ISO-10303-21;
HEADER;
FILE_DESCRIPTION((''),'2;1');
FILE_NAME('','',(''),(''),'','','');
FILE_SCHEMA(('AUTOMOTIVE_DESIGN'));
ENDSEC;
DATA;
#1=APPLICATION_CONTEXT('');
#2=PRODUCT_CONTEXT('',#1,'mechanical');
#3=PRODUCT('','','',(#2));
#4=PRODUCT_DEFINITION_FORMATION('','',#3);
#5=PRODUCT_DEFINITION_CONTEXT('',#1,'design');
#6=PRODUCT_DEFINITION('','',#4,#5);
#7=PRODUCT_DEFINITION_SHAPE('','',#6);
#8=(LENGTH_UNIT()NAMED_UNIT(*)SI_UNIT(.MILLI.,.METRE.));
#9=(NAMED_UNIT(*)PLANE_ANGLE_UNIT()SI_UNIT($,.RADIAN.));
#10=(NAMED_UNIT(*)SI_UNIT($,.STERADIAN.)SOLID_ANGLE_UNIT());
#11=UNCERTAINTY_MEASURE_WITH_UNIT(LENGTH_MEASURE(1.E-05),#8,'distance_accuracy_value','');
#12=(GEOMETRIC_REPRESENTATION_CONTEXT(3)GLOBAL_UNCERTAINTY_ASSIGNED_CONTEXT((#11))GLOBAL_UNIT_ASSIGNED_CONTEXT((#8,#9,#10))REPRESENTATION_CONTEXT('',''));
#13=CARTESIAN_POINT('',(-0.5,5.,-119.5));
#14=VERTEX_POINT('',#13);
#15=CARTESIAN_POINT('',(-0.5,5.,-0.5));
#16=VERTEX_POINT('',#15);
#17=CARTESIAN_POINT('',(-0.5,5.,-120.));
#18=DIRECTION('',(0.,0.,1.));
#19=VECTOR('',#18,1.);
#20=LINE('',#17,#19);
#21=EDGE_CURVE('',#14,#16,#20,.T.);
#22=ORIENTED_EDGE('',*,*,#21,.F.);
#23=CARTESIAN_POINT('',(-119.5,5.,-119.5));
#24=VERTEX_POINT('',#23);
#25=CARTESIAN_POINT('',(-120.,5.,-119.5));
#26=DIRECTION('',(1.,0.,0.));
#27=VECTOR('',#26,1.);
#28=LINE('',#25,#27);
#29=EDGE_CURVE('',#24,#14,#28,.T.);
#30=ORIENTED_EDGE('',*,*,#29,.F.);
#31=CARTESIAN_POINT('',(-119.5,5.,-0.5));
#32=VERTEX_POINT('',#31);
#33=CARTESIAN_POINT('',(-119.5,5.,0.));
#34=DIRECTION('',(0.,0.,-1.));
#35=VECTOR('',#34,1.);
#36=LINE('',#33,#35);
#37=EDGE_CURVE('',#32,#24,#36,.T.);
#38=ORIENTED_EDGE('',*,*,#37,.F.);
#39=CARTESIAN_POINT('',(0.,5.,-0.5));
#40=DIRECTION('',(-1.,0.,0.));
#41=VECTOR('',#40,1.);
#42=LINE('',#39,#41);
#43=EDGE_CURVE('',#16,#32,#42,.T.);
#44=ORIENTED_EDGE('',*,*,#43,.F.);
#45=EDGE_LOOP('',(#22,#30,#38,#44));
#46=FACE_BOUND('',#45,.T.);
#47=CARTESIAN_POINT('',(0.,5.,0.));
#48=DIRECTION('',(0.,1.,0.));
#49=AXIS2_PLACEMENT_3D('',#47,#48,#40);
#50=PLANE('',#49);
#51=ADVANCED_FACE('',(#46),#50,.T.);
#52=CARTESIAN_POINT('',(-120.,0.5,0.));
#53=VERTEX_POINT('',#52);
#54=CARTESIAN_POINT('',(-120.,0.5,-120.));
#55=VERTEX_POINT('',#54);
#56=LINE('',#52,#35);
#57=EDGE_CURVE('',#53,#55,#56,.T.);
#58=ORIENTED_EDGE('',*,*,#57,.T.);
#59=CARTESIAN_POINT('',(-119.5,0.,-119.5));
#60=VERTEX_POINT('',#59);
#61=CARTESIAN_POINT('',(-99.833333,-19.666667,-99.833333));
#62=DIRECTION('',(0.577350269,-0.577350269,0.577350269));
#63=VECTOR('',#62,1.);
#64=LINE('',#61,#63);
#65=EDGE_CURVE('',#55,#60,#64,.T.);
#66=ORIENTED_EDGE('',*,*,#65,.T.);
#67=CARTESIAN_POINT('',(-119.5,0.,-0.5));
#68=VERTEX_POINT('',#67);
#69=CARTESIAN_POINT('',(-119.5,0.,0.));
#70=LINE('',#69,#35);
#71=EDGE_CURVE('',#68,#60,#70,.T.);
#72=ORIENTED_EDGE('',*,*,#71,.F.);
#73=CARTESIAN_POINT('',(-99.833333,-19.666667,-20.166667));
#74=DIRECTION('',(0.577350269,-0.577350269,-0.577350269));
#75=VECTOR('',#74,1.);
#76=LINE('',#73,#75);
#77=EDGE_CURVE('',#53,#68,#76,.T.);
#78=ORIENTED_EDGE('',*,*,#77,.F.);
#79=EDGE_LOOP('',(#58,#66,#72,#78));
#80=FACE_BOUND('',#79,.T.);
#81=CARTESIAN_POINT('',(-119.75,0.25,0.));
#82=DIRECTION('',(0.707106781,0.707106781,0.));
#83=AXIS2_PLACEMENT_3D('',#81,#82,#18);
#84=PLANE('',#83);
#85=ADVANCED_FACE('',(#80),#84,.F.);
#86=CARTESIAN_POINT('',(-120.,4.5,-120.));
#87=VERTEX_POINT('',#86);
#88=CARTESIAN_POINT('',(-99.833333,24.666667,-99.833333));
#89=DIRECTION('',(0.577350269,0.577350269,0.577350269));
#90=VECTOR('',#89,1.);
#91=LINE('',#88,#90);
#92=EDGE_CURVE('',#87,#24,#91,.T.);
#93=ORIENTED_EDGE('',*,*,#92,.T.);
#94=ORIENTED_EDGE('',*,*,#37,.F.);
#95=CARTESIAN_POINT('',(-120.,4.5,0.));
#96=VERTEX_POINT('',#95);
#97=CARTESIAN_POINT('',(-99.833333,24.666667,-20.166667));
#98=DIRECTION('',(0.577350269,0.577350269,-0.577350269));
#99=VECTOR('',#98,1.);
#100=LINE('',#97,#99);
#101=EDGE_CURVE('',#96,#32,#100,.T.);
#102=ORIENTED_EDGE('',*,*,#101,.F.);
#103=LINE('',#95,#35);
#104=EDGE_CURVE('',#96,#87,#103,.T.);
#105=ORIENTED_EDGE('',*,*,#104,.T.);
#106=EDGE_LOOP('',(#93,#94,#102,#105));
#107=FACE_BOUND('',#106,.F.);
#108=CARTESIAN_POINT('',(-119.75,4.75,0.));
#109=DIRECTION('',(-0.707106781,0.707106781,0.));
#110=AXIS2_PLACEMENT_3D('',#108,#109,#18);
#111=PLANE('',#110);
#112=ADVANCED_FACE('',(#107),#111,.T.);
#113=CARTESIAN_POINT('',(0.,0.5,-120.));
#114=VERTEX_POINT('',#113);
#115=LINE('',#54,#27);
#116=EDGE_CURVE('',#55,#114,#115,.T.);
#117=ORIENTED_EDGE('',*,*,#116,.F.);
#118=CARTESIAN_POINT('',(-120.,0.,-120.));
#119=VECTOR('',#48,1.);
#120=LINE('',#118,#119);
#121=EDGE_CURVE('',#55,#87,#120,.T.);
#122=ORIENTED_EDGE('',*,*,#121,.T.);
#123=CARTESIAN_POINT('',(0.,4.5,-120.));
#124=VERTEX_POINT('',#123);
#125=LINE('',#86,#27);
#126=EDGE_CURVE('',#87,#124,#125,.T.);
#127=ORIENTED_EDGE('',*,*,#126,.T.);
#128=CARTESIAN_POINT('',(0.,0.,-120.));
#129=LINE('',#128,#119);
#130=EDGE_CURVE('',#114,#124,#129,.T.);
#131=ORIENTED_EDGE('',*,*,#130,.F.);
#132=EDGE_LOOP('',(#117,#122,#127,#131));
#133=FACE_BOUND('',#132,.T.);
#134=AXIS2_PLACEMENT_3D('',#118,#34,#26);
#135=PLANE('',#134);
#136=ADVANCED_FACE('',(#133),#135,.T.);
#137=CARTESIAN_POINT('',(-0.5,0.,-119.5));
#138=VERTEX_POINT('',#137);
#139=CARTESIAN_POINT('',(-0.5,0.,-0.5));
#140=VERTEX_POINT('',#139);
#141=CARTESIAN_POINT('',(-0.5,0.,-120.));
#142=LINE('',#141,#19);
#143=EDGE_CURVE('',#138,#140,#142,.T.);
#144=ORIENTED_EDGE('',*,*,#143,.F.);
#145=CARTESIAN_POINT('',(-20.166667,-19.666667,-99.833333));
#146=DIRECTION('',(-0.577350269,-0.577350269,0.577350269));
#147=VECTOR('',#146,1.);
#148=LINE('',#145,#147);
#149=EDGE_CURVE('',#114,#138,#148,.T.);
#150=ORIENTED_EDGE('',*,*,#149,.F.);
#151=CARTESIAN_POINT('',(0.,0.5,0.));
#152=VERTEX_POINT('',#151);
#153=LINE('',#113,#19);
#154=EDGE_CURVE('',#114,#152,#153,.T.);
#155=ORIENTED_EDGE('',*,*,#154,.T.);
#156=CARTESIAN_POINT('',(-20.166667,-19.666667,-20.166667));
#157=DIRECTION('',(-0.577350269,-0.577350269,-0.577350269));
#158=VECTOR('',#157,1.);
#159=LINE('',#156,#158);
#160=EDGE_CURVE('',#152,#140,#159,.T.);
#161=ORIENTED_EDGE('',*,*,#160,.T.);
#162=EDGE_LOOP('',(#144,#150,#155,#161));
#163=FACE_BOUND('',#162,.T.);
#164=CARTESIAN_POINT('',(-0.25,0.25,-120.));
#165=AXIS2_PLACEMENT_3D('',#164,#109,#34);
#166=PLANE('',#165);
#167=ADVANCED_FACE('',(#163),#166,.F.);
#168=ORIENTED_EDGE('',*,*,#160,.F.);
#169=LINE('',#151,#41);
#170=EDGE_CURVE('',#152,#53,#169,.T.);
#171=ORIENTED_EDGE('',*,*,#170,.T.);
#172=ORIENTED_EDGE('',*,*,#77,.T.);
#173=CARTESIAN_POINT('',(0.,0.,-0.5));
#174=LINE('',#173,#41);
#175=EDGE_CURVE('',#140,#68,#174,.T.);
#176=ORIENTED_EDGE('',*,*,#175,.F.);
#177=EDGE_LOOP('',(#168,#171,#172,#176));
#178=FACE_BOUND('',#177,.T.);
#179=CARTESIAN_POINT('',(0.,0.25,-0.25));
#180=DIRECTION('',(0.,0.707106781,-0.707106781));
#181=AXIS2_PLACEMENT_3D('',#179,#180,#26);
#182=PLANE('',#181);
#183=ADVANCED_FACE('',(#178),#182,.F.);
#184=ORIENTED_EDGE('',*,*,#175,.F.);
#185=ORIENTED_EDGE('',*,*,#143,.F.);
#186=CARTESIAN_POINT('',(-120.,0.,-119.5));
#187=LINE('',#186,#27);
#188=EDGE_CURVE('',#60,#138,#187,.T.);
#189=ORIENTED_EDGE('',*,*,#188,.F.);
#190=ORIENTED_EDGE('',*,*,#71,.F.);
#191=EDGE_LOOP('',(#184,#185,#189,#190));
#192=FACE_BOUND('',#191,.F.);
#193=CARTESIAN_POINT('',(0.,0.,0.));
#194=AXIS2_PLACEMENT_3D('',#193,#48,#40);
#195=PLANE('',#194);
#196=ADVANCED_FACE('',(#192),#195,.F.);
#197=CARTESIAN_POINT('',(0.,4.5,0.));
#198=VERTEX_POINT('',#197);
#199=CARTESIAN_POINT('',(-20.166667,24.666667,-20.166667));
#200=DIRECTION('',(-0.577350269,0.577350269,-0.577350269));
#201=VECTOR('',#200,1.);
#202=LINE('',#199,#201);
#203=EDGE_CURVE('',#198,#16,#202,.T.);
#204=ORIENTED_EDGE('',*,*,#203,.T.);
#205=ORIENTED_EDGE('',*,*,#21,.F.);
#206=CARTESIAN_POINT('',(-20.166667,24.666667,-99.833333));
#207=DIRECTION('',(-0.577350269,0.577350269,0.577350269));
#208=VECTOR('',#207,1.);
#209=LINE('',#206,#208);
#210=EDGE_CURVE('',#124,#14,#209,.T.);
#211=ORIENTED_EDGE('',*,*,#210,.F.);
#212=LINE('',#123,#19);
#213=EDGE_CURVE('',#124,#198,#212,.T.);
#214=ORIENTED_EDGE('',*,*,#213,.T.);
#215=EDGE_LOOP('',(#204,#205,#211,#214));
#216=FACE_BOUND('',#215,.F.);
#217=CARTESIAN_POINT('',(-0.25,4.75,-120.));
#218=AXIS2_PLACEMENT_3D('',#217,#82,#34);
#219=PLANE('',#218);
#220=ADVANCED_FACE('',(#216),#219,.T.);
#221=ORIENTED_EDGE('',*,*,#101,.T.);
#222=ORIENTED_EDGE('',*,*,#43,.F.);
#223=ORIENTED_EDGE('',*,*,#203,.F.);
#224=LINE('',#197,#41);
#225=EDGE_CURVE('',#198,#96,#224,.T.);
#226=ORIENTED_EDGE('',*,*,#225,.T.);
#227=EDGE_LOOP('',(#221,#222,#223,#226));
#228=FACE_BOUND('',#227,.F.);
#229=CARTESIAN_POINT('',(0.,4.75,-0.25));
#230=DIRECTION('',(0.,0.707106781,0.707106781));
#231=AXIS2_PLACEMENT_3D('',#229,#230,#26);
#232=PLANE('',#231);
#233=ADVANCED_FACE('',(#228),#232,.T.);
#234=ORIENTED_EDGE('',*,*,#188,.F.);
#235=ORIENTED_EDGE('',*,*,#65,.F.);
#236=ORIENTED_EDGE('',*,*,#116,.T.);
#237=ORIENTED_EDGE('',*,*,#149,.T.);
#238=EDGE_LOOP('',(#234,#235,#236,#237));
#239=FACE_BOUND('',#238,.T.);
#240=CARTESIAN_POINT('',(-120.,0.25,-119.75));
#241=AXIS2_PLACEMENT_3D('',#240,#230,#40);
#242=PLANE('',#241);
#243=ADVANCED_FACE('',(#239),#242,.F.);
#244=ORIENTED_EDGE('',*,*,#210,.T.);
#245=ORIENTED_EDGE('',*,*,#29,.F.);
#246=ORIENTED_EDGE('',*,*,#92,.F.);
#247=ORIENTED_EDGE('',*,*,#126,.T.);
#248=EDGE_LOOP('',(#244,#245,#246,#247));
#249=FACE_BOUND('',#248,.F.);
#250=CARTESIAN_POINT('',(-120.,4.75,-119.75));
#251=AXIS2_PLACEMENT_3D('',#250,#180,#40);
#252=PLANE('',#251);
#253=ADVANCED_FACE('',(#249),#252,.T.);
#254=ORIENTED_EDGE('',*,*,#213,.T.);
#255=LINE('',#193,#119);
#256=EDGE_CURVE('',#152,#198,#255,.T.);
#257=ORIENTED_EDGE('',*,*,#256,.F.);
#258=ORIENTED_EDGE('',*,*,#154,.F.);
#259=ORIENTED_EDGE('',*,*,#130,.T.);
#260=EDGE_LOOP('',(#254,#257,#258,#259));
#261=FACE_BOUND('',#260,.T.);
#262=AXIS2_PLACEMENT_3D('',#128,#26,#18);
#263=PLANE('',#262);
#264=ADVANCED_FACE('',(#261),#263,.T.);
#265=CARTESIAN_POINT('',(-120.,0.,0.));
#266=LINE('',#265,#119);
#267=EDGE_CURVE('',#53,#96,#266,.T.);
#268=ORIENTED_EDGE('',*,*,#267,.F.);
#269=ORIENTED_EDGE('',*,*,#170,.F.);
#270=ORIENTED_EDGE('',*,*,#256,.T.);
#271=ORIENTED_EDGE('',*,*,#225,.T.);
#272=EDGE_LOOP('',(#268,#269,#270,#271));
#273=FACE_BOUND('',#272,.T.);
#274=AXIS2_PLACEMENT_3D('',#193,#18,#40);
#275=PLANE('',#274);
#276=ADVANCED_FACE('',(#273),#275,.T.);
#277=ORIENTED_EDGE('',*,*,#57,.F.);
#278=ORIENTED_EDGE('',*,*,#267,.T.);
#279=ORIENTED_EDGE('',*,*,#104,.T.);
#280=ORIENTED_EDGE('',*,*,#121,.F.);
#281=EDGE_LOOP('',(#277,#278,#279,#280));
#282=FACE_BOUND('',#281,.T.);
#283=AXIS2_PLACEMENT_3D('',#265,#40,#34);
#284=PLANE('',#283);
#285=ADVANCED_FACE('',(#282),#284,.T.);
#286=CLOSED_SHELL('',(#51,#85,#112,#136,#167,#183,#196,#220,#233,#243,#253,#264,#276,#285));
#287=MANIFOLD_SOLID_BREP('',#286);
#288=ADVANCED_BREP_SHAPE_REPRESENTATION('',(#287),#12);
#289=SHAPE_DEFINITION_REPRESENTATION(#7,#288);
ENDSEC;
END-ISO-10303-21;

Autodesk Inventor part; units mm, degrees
ref_plane "YZ Plane" through (0, 0, 0) normal (1, 0, 0) x (0, 1, 0)
ref_plane "XZ Plane" through (0, 0, 0) normal (0, 1, 0) x (-1, 0, 0)
ref_plane "XY Plane" through (0, 0, 0) normal (0, 0, 1) x (1, 0, 0)
sketch "Esboço1" plane through (0, 0, 0) normal (0, 1, 0) x (-1, 0, 0)
  line L0 (0, 0) -> (120, 0)
  line L1 (120, 0) -> (120, -120)
  line L2 (120, -120) -> (0, -120)
  line L3 (0, -120) -> (0, 0)
  dimension "d0" = 120
  dimension "d1" = 120
extrude "Extrusão1" add sketch "Esboço1" along normal blind 5
chamfer "Chamfer1" distance 0.5 angle 45 8 edges at (-60, 5, 0) (0, 5, -60) (-60, 5, -120) (-120, 5, -60) (0, 0, -60) (-60, 0, 0) (-60, 0, -120) (-120, 0, -60)
equation "\"Raio_vergadura\" = Espessura"
equation "\"Largura_alívio_de_vergadura\" = Espessura"
equation "\"Profundidade_alívio_de_vergadura\" = 0.5 * Espessura"
equation "\"Tamanho_alívio_de_dobra\" = 4 * Espessura"
equation "\"Remanescente_mínimo\" = 2 * Espessura"
equation "\"Raiodetransição\" = Raio_vergadura"
equation "\"Tamanho_de_raio_de_Jacobi\" = Raio_vergadura"
equation "\"TamanhoFolga\" = Espessura"
equation "\"Espessura\" = 0.5"
properties part number "Placa da mesa" material "Brass, Soft Yellow"
